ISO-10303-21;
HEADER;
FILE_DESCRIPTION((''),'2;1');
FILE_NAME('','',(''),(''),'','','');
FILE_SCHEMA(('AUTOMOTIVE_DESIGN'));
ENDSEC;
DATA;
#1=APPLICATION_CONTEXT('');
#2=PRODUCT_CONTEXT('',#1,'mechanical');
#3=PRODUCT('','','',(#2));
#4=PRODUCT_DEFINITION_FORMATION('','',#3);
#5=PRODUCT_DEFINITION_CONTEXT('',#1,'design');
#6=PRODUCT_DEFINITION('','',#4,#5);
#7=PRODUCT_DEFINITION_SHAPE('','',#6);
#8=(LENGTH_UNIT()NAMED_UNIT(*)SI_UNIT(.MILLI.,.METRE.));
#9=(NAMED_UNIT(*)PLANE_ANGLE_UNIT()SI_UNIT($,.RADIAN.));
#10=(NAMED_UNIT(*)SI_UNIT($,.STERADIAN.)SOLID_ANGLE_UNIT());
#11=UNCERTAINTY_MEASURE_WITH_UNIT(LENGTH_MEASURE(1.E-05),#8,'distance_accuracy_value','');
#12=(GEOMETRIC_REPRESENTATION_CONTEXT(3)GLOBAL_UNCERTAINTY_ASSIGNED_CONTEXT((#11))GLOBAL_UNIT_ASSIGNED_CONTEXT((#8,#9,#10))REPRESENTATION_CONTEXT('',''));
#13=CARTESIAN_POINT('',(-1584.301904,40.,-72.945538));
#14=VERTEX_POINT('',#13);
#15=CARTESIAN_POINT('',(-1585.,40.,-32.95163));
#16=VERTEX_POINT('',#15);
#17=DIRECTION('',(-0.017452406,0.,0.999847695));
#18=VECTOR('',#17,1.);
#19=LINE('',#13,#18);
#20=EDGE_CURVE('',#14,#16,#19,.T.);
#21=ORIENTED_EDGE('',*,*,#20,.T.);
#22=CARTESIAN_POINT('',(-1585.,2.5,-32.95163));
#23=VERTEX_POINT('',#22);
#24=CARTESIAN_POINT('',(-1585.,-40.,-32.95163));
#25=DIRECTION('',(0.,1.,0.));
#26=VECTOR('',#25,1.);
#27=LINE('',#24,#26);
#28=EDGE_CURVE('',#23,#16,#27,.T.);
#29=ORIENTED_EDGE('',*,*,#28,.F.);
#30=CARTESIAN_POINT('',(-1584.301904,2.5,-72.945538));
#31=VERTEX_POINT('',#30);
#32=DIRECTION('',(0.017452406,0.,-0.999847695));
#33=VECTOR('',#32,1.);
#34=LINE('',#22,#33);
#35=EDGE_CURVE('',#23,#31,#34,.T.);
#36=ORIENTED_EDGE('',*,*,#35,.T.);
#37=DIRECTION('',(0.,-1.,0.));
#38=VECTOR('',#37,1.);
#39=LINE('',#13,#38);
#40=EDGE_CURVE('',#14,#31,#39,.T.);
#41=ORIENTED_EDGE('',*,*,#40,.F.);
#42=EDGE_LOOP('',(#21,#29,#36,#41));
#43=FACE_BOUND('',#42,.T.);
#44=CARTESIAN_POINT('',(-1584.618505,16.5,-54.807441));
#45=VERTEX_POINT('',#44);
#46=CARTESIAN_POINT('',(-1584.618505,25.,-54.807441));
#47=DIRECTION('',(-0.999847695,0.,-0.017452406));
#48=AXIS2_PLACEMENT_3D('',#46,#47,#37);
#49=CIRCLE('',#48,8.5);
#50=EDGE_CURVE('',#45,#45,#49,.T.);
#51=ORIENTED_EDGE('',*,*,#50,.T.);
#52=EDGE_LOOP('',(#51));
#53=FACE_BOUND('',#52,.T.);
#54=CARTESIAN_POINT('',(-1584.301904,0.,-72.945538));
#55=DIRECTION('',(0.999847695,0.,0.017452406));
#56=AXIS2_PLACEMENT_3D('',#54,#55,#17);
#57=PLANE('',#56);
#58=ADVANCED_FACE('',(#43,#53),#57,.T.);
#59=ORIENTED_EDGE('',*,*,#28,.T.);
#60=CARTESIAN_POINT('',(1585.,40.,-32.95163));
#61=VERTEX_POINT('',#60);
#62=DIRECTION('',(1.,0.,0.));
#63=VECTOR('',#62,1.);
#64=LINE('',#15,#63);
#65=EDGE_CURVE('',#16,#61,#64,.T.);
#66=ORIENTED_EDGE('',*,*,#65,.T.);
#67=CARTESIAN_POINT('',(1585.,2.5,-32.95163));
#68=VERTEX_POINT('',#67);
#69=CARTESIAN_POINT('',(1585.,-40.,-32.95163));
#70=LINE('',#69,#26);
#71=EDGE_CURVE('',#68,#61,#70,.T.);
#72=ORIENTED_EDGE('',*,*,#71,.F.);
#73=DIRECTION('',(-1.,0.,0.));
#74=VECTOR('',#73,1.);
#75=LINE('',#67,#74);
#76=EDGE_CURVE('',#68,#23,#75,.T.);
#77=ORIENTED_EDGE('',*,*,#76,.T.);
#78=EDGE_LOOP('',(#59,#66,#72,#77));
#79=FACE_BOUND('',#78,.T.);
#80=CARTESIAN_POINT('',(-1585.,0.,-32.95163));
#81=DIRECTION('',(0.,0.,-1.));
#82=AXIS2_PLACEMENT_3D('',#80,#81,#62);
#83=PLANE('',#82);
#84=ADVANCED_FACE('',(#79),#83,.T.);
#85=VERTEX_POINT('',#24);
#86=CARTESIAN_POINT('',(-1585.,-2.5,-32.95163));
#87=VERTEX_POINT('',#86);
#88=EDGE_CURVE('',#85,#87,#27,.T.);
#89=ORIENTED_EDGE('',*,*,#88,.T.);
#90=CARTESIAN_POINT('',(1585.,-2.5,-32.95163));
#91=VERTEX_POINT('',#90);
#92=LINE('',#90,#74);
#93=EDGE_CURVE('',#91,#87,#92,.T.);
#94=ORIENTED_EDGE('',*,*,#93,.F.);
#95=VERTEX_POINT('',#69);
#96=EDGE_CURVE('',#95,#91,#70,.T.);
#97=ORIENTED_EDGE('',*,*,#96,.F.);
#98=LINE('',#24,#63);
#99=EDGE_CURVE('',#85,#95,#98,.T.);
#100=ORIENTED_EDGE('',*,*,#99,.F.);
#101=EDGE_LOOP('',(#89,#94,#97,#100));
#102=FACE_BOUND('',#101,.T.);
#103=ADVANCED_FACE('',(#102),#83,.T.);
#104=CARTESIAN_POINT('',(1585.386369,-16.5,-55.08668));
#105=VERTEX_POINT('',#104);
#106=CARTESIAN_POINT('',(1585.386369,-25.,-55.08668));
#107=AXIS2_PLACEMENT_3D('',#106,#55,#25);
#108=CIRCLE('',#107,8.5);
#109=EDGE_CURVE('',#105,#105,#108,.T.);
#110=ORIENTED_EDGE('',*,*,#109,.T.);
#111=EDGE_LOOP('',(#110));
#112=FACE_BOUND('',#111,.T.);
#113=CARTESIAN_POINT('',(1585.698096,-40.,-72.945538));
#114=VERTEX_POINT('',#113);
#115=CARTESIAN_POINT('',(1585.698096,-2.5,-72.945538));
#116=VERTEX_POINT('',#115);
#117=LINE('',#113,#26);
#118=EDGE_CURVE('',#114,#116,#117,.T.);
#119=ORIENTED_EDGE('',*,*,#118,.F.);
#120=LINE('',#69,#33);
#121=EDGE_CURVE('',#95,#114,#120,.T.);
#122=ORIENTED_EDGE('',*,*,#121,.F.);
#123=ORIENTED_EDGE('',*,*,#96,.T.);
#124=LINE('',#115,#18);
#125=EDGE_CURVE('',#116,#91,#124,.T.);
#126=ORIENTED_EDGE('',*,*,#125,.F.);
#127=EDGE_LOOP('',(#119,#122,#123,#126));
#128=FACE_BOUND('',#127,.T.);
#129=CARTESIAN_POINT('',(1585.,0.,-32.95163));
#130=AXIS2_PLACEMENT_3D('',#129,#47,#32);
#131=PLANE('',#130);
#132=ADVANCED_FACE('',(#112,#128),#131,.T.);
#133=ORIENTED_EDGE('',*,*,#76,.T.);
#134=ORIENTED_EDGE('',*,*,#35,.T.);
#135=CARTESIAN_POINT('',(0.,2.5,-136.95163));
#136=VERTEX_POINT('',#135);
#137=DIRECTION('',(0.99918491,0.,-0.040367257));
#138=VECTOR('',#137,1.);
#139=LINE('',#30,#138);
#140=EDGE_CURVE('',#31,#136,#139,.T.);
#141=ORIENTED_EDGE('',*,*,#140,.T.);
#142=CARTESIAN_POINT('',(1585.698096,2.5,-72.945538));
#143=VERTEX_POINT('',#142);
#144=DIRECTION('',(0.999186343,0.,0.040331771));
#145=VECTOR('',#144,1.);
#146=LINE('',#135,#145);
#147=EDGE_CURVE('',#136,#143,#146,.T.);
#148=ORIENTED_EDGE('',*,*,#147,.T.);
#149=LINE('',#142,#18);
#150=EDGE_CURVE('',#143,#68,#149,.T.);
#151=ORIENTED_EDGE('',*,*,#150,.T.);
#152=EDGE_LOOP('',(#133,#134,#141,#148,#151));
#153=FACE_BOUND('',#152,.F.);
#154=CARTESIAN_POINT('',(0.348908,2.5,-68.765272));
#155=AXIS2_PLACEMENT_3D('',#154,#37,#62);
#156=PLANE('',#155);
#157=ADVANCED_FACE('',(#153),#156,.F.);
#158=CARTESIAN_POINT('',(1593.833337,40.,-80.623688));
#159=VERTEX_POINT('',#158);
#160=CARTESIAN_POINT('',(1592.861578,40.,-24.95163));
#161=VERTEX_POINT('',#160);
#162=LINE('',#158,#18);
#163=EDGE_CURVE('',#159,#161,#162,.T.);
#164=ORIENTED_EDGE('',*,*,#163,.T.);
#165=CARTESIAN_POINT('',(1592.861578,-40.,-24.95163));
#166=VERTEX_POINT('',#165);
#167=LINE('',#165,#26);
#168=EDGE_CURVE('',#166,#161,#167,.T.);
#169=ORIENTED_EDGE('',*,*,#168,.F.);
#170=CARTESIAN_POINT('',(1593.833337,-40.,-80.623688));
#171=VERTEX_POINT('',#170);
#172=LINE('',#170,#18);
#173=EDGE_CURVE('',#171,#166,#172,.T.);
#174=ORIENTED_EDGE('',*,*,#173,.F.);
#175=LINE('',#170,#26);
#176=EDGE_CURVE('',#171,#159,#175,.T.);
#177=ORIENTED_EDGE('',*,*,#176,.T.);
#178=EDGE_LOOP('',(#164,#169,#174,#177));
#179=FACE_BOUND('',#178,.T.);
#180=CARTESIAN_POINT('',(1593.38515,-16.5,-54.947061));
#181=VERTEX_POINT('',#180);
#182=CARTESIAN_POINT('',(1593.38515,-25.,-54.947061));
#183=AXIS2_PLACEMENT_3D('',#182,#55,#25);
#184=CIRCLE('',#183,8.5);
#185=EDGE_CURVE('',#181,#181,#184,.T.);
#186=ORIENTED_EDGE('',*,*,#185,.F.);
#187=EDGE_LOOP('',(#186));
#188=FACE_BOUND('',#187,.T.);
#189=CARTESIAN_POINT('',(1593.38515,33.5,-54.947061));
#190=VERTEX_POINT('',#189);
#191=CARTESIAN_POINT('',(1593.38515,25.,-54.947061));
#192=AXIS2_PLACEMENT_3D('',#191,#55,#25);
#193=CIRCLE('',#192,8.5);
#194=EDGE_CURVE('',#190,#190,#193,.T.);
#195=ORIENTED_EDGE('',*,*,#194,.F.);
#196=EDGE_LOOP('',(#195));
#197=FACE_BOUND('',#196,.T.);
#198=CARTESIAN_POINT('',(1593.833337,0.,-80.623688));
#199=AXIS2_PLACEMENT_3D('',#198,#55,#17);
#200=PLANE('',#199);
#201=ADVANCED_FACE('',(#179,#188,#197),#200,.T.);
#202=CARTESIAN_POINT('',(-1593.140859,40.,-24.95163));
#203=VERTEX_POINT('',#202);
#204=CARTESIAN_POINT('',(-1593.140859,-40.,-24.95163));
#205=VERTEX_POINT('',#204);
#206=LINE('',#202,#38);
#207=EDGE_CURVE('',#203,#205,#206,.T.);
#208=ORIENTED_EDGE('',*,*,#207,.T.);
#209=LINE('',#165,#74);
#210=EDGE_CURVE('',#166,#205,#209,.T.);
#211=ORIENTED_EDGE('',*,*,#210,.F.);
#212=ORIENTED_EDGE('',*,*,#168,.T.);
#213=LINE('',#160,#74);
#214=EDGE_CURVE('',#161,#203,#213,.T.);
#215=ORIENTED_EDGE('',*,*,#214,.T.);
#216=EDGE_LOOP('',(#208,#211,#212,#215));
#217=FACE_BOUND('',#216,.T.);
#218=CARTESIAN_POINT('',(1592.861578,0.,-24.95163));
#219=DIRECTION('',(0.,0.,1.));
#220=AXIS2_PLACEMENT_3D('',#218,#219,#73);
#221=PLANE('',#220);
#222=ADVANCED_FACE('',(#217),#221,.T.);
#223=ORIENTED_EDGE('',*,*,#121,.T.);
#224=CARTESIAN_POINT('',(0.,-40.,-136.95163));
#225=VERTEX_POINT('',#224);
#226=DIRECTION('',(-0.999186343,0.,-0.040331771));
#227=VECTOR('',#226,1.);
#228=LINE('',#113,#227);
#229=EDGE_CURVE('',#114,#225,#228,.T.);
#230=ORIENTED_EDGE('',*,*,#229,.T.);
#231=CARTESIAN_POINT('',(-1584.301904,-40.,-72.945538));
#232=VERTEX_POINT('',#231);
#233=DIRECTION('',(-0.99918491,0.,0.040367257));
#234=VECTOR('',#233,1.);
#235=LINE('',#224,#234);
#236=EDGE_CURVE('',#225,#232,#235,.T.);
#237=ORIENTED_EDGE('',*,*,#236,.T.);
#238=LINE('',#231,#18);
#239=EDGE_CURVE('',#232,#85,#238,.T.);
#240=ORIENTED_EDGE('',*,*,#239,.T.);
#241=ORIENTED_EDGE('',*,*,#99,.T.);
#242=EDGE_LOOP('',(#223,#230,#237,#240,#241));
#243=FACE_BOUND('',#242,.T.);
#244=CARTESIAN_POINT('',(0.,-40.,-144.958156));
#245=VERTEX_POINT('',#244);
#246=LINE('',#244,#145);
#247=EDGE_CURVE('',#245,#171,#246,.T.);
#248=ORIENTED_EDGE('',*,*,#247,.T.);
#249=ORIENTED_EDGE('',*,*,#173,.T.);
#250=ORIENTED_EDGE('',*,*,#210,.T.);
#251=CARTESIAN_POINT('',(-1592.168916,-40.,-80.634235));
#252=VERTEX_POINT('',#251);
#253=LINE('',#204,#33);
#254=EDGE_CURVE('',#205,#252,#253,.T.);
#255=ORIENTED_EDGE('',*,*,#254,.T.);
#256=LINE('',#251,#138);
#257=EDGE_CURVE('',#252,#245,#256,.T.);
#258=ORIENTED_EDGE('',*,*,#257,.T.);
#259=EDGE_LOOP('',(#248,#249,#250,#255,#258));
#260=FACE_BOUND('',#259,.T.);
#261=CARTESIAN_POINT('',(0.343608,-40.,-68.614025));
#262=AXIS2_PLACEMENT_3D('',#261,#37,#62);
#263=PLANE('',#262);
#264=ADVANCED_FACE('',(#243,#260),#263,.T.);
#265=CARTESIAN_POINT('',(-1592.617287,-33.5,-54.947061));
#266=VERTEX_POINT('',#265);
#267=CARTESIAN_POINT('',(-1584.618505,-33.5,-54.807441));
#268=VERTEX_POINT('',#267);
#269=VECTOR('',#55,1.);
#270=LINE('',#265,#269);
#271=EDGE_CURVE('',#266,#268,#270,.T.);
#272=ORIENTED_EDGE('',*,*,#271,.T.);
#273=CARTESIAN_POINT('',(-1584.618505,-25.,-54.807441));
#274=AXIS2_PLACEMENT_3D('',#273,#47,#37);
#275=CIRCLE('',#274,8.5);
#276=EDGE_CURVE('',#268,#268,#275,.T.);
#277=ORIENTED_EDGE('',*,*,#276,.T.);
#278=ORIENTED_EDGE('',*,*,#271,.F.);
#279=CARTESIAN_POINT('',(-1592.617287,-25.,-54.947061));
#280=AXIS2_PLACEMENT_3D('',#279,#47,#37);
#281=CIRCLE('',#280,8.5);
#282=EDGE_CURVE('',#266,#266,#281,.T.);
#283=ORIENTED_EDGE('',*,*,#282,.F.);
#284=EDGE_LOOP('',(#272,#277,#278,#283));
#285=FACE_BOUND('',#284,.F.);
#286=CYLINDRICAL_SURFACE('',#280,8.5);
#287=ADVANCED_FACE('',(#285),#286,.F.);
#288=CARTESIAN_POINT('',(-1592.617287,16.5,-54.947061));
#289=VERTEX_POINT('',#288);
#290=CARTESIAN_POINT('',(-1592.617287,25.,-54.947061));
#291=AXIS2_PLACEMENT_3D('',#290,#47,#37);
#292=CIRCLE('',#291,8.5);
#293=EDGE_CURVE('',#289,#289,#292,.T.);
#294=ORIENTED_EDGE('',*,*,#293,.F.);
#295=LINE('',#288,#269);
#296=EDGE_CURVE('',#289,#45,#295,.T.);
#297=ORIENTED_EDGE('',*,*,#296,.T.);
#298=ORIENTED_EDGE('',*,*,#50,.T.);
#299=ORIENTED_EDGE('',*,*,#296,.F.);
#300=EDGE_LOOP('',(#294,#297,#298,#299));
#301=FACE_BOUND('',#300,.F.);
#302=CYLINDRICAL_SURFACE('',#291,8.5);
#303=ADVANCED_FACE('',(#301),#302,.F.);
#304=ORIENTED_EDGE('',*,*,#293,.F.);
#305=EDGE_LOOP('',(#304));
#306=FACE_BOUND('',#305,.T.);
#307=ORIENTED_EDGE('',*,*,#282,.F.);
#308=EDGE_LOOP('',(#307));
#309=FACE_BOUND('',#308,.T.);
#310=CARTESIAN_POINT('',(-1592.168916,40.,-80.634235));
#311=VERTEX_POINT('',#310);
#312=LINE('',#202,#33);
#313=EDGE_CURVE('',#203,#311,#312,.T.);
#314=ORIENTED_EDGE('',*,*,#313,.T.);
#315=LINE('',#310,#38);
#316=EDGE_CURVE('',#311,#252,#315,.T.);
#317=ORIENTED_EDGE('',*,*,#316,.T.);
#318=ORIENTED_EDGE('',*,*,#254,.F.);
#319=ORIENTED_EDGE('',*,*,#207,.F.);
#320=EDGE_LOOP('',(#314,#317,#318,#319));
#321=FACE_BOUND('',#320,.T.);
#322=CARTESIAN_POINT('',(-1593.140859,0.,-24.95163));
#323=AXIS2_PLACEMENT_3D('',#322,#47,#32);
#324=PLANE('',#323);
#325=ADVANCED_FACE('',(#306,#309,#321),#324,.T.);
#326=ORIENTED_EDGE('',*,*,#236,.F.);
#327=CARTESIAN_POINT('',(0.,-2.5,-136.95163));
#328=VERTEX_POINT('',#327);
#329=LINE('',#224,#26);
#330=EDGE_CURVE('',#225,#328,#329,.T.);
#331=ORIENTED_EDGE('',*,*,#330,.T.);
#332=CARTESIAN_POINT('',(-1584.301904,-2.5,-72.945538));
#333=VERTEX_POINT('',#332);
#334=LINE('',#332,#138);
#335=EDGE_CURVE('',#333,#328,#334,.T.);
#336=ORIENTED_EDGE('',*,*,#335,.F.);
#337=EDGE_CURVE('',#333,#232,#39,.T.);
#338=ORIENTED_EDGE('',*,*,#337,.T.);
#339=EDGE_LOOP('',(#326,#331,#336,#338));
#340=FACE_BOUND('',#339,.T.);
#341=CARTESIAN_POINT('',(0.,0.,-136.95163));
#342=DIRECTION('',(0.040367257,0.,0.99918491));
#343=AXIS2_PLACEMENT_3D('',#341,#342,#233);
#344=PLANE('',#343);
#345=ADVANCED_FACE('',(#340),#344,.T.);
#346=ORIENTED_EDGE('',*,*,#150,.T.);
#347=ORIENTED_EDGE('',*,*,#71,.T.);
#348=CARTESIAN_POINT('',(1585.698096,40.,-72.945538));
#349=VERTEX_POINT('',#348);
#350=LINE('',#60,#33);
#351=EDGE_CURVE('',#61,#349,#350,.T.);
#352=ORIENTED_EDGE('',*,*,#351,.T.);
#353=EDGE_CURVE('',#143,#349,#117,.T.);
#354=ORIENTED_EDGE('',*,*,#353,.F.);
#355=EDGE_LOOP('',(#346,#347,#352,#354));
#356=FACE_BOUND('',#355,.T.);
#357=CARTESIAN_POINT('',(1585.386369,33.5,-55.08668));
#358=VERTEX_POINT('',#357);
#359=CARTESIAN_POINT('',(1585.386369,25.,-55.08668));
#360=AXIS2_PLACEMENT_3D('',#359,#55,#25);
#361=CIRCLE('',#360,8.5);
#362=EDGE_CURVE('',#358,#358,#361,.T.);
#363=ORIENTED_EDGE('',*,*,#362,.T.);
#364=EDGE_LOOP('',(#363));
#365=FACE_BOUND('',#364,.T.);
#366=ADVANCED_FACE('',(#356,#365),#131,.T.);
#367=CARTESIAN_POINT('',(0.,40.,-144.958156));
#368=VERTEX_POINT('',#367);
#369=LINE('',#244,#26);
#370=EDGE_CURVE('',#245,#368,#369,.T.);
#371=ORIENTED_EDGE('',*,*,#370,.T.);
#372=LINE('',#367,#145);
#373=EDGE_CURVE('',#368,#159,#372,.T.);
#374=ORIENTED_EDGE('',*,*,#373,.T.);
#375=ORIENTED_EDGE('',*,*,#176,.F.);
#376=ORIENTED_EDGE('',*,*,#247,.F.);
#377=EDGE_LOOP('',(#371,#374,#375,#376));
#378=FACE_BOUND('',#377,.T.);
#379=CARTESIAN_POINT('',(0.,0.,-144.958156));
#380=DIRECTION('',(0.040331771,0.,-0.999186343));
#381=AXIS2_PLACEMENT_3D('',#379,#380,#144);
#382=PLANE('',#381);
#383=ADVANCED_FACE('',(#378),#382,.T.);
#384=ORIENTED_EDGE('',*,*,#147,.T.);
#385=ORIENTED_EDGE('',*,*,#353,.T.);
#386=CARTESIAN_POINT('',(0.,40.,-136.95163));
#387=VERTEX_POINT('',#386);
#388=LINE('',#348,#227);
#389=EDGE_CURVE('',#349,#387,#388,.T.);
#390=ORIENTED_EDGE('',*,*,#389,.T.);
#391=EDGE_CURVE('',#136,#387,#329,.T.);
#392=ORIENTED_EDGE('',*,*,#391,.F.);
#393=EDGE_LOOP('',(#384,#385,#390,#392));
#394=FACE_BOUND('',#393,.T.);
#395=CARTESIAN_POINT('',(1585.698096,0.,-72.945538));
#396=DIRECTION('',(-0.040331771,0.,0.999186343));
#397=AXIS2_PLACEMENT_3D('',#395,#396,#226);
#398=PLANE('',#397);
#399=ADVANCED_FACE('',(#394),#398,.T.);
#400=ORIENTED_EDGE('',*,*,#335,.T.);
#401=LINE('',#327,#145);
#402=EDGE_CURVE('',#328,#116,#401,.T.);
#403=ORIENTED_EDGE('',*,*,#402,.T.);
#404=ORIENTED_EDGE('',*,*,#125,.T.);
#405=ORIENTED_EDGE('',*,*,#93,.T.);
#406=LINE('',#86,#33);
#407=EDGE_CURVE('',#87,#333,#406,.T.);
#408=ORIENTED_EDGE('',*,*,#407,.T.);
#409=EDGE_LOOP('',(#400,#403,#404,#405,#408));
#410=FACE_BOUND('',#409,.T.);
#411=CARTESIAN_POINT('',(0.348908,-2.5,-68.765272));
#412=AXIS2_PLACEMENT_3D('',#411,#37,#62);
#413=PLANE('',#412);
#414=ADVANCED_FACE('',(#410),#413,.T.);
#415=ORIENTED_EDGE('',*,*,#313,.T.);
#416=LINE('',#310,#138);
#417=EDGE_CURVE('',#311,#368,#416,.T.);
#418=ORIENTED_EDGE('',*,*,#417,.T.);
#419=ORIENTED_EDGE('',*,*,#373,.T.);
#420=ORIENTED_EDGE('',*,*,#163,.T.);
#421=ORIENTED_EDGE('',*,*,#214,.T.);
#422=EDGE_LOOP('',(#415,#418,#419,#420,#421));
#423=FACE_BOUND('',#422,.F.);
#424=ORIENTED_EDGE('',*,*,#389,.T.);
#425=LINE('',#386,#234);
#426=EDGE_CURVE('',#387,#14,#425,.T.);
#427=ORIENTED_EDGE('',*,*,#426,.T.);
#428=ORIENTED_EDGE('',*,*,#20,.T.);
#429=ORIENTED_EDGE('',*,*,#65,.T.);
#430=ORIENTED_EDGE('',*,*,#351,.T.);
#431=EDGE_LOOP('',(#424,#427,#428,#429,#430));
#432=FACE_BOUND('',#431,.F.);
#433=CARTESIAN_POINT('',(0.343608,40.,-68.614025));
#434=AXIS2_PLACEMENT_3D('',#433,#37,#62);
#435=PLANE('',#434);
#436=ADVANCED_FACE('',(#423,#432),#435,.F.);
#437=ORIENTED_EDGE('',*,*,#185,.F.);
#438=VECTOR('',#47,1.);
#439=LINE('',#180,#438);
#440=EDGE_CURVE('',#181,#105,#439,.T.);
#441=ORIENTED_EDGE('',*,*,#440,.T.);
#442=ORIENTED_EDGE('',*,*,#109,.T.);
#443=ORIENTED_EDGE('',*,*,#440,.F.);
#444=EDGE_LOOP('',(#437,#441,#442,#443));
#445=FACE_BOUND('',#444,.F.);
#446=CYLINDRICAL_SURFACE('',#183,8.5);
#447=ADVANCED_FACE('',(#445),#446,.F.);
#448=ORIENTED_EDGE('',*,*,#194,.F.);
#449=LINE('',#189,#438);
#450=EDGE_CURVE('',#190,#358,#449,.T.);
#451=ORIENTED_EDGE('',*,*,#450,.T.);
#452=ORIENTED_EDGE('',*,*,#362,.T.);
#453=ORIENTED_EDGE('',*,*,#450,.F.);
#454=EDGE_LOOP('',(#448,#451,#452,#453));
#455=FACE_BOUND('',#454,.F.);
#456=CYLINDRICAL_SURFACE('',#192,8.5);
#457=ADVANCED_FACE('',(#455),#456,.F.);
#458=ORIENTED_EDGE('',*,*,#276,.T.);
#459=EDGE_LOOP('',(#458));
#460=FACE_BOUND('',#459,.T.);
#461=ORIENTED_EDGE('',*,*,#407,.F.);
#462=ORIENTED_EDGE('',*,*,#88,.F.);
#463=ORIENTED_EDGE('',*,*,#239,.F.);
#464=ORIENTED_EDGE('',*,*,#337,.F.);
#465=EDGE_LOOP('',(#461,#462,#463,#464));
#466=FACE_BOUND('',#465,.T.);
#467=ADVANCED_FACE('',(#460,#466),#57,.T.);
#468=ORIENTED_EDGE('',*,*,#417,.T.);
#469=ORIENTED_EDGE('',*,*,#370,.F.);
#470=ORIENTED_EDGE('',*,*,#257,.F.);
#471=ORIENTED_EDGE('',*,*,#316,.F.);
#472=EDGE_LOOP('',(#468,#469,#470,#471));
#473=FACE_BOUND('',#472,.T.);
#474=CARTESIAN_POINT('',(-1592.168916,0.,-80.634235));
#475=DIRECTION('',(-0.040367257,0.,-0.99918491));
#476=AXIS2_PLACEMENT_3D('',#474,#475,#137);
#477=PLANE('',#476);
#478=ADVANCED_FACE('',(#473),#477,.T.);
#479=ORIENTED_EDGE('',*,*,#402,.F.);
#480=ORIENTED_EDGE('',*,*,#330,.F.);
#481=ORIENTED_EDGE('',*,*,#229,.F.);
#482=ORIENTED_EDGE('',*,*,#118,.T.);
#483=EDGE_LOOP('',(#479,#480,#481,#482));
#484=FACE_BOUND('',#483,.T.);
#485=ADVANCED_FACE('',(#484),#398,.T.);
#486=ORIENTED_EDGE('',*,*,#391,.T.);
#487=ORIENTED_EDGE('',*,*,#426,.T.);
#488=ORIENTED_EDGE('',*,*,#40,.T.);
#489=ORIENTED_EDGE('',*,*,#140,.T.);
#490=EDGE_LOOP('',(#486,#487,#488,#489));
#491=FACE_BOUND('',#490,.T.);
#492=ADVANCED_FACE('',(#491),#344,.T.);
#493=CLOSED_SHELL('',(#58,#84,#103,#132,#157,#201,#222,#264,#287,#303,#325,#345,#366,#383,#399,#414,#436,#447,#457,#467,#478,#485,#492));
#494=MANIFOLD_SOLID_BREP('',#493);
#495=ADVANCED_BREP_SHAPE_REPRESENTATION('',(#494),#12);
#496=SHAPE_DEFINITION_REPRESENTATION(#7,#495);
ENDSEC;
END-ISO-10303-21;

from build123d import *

# Parameters (mm, degrees)
F1_DEPTH = 2.5
F3_DEPTH = 40
F4_R     = 8.5
F5_DEPTH = 25
F6_R     = 8.5
F7_DEPTH = 25


with BuildPart() as f1:
    # F0 (on Front) → F1 (new body, symmetric)
    with BuildSketch(Plane.XZ):
        Polygon((1585, -32.951629775), (0, -32.951629775), (-1585, -32.951629775), (-1584.3019037425, -72.9455375812), (0, -136.951629775), (1585.6980962575, -72.9455375812), align=None)
    extrude(amount=F1_DEPTH, both=True)

    # F2 (on Front) → F3 (join, symmetric)
    with BuildSketch(Plane.XZ):
        Polygon((1592.8615781049, -24.951629775), (-1593.1408591438, -24.951629775), (-1592.1689156564, -80.6342348721), (0, -144.9581558134), (1593.8333374915, -80.6236877443), align=None)
        Polygon((-1584.3019037425, -72.9455375812), (-1585, -32.951629775), (1585, -32.951629775), (1585.6980962575, -72.9455375812), (0, -136.951629775), align=None, mode=Mode.SUBTRACT)
    extrude(amount=F3_DEPTH, both=True)

    # F4 (on face) → F5 (cut)
    with BuildSketch(Plane(origin=(-1593.0910096212, 0, -27.8075070095), x_dir=(0, -1, 0), z_dir=(-0.9998476952, 0, -0.0174524064))):
        with Locations((-25, -27.1436877353)):
            Circle(F4_R)
        with Locations((25, -27.1436877353)):
            Circle(F4_R)
    extrude(amount=-F5_DEPTH, mode=Mode.SUBTRACT)

    # F6 (on face) → F7 (cut)
    with BuildSketch(Plane(origin=(1591.9410143265, 0, 27.787433767), x_dir=(0, 1, 0), z_dir=(0.9998476952, 0, 0.0174524064))):
        with Locations((-25, -82.7470971803)):
            Circle(F6_R)
        with Locations((25, -82.7470971803)):
            Circle(F6_R)
    extrude(amount=-F7_DEPTH, mode=Mode.SUBTRACT)


solid = f1.part
